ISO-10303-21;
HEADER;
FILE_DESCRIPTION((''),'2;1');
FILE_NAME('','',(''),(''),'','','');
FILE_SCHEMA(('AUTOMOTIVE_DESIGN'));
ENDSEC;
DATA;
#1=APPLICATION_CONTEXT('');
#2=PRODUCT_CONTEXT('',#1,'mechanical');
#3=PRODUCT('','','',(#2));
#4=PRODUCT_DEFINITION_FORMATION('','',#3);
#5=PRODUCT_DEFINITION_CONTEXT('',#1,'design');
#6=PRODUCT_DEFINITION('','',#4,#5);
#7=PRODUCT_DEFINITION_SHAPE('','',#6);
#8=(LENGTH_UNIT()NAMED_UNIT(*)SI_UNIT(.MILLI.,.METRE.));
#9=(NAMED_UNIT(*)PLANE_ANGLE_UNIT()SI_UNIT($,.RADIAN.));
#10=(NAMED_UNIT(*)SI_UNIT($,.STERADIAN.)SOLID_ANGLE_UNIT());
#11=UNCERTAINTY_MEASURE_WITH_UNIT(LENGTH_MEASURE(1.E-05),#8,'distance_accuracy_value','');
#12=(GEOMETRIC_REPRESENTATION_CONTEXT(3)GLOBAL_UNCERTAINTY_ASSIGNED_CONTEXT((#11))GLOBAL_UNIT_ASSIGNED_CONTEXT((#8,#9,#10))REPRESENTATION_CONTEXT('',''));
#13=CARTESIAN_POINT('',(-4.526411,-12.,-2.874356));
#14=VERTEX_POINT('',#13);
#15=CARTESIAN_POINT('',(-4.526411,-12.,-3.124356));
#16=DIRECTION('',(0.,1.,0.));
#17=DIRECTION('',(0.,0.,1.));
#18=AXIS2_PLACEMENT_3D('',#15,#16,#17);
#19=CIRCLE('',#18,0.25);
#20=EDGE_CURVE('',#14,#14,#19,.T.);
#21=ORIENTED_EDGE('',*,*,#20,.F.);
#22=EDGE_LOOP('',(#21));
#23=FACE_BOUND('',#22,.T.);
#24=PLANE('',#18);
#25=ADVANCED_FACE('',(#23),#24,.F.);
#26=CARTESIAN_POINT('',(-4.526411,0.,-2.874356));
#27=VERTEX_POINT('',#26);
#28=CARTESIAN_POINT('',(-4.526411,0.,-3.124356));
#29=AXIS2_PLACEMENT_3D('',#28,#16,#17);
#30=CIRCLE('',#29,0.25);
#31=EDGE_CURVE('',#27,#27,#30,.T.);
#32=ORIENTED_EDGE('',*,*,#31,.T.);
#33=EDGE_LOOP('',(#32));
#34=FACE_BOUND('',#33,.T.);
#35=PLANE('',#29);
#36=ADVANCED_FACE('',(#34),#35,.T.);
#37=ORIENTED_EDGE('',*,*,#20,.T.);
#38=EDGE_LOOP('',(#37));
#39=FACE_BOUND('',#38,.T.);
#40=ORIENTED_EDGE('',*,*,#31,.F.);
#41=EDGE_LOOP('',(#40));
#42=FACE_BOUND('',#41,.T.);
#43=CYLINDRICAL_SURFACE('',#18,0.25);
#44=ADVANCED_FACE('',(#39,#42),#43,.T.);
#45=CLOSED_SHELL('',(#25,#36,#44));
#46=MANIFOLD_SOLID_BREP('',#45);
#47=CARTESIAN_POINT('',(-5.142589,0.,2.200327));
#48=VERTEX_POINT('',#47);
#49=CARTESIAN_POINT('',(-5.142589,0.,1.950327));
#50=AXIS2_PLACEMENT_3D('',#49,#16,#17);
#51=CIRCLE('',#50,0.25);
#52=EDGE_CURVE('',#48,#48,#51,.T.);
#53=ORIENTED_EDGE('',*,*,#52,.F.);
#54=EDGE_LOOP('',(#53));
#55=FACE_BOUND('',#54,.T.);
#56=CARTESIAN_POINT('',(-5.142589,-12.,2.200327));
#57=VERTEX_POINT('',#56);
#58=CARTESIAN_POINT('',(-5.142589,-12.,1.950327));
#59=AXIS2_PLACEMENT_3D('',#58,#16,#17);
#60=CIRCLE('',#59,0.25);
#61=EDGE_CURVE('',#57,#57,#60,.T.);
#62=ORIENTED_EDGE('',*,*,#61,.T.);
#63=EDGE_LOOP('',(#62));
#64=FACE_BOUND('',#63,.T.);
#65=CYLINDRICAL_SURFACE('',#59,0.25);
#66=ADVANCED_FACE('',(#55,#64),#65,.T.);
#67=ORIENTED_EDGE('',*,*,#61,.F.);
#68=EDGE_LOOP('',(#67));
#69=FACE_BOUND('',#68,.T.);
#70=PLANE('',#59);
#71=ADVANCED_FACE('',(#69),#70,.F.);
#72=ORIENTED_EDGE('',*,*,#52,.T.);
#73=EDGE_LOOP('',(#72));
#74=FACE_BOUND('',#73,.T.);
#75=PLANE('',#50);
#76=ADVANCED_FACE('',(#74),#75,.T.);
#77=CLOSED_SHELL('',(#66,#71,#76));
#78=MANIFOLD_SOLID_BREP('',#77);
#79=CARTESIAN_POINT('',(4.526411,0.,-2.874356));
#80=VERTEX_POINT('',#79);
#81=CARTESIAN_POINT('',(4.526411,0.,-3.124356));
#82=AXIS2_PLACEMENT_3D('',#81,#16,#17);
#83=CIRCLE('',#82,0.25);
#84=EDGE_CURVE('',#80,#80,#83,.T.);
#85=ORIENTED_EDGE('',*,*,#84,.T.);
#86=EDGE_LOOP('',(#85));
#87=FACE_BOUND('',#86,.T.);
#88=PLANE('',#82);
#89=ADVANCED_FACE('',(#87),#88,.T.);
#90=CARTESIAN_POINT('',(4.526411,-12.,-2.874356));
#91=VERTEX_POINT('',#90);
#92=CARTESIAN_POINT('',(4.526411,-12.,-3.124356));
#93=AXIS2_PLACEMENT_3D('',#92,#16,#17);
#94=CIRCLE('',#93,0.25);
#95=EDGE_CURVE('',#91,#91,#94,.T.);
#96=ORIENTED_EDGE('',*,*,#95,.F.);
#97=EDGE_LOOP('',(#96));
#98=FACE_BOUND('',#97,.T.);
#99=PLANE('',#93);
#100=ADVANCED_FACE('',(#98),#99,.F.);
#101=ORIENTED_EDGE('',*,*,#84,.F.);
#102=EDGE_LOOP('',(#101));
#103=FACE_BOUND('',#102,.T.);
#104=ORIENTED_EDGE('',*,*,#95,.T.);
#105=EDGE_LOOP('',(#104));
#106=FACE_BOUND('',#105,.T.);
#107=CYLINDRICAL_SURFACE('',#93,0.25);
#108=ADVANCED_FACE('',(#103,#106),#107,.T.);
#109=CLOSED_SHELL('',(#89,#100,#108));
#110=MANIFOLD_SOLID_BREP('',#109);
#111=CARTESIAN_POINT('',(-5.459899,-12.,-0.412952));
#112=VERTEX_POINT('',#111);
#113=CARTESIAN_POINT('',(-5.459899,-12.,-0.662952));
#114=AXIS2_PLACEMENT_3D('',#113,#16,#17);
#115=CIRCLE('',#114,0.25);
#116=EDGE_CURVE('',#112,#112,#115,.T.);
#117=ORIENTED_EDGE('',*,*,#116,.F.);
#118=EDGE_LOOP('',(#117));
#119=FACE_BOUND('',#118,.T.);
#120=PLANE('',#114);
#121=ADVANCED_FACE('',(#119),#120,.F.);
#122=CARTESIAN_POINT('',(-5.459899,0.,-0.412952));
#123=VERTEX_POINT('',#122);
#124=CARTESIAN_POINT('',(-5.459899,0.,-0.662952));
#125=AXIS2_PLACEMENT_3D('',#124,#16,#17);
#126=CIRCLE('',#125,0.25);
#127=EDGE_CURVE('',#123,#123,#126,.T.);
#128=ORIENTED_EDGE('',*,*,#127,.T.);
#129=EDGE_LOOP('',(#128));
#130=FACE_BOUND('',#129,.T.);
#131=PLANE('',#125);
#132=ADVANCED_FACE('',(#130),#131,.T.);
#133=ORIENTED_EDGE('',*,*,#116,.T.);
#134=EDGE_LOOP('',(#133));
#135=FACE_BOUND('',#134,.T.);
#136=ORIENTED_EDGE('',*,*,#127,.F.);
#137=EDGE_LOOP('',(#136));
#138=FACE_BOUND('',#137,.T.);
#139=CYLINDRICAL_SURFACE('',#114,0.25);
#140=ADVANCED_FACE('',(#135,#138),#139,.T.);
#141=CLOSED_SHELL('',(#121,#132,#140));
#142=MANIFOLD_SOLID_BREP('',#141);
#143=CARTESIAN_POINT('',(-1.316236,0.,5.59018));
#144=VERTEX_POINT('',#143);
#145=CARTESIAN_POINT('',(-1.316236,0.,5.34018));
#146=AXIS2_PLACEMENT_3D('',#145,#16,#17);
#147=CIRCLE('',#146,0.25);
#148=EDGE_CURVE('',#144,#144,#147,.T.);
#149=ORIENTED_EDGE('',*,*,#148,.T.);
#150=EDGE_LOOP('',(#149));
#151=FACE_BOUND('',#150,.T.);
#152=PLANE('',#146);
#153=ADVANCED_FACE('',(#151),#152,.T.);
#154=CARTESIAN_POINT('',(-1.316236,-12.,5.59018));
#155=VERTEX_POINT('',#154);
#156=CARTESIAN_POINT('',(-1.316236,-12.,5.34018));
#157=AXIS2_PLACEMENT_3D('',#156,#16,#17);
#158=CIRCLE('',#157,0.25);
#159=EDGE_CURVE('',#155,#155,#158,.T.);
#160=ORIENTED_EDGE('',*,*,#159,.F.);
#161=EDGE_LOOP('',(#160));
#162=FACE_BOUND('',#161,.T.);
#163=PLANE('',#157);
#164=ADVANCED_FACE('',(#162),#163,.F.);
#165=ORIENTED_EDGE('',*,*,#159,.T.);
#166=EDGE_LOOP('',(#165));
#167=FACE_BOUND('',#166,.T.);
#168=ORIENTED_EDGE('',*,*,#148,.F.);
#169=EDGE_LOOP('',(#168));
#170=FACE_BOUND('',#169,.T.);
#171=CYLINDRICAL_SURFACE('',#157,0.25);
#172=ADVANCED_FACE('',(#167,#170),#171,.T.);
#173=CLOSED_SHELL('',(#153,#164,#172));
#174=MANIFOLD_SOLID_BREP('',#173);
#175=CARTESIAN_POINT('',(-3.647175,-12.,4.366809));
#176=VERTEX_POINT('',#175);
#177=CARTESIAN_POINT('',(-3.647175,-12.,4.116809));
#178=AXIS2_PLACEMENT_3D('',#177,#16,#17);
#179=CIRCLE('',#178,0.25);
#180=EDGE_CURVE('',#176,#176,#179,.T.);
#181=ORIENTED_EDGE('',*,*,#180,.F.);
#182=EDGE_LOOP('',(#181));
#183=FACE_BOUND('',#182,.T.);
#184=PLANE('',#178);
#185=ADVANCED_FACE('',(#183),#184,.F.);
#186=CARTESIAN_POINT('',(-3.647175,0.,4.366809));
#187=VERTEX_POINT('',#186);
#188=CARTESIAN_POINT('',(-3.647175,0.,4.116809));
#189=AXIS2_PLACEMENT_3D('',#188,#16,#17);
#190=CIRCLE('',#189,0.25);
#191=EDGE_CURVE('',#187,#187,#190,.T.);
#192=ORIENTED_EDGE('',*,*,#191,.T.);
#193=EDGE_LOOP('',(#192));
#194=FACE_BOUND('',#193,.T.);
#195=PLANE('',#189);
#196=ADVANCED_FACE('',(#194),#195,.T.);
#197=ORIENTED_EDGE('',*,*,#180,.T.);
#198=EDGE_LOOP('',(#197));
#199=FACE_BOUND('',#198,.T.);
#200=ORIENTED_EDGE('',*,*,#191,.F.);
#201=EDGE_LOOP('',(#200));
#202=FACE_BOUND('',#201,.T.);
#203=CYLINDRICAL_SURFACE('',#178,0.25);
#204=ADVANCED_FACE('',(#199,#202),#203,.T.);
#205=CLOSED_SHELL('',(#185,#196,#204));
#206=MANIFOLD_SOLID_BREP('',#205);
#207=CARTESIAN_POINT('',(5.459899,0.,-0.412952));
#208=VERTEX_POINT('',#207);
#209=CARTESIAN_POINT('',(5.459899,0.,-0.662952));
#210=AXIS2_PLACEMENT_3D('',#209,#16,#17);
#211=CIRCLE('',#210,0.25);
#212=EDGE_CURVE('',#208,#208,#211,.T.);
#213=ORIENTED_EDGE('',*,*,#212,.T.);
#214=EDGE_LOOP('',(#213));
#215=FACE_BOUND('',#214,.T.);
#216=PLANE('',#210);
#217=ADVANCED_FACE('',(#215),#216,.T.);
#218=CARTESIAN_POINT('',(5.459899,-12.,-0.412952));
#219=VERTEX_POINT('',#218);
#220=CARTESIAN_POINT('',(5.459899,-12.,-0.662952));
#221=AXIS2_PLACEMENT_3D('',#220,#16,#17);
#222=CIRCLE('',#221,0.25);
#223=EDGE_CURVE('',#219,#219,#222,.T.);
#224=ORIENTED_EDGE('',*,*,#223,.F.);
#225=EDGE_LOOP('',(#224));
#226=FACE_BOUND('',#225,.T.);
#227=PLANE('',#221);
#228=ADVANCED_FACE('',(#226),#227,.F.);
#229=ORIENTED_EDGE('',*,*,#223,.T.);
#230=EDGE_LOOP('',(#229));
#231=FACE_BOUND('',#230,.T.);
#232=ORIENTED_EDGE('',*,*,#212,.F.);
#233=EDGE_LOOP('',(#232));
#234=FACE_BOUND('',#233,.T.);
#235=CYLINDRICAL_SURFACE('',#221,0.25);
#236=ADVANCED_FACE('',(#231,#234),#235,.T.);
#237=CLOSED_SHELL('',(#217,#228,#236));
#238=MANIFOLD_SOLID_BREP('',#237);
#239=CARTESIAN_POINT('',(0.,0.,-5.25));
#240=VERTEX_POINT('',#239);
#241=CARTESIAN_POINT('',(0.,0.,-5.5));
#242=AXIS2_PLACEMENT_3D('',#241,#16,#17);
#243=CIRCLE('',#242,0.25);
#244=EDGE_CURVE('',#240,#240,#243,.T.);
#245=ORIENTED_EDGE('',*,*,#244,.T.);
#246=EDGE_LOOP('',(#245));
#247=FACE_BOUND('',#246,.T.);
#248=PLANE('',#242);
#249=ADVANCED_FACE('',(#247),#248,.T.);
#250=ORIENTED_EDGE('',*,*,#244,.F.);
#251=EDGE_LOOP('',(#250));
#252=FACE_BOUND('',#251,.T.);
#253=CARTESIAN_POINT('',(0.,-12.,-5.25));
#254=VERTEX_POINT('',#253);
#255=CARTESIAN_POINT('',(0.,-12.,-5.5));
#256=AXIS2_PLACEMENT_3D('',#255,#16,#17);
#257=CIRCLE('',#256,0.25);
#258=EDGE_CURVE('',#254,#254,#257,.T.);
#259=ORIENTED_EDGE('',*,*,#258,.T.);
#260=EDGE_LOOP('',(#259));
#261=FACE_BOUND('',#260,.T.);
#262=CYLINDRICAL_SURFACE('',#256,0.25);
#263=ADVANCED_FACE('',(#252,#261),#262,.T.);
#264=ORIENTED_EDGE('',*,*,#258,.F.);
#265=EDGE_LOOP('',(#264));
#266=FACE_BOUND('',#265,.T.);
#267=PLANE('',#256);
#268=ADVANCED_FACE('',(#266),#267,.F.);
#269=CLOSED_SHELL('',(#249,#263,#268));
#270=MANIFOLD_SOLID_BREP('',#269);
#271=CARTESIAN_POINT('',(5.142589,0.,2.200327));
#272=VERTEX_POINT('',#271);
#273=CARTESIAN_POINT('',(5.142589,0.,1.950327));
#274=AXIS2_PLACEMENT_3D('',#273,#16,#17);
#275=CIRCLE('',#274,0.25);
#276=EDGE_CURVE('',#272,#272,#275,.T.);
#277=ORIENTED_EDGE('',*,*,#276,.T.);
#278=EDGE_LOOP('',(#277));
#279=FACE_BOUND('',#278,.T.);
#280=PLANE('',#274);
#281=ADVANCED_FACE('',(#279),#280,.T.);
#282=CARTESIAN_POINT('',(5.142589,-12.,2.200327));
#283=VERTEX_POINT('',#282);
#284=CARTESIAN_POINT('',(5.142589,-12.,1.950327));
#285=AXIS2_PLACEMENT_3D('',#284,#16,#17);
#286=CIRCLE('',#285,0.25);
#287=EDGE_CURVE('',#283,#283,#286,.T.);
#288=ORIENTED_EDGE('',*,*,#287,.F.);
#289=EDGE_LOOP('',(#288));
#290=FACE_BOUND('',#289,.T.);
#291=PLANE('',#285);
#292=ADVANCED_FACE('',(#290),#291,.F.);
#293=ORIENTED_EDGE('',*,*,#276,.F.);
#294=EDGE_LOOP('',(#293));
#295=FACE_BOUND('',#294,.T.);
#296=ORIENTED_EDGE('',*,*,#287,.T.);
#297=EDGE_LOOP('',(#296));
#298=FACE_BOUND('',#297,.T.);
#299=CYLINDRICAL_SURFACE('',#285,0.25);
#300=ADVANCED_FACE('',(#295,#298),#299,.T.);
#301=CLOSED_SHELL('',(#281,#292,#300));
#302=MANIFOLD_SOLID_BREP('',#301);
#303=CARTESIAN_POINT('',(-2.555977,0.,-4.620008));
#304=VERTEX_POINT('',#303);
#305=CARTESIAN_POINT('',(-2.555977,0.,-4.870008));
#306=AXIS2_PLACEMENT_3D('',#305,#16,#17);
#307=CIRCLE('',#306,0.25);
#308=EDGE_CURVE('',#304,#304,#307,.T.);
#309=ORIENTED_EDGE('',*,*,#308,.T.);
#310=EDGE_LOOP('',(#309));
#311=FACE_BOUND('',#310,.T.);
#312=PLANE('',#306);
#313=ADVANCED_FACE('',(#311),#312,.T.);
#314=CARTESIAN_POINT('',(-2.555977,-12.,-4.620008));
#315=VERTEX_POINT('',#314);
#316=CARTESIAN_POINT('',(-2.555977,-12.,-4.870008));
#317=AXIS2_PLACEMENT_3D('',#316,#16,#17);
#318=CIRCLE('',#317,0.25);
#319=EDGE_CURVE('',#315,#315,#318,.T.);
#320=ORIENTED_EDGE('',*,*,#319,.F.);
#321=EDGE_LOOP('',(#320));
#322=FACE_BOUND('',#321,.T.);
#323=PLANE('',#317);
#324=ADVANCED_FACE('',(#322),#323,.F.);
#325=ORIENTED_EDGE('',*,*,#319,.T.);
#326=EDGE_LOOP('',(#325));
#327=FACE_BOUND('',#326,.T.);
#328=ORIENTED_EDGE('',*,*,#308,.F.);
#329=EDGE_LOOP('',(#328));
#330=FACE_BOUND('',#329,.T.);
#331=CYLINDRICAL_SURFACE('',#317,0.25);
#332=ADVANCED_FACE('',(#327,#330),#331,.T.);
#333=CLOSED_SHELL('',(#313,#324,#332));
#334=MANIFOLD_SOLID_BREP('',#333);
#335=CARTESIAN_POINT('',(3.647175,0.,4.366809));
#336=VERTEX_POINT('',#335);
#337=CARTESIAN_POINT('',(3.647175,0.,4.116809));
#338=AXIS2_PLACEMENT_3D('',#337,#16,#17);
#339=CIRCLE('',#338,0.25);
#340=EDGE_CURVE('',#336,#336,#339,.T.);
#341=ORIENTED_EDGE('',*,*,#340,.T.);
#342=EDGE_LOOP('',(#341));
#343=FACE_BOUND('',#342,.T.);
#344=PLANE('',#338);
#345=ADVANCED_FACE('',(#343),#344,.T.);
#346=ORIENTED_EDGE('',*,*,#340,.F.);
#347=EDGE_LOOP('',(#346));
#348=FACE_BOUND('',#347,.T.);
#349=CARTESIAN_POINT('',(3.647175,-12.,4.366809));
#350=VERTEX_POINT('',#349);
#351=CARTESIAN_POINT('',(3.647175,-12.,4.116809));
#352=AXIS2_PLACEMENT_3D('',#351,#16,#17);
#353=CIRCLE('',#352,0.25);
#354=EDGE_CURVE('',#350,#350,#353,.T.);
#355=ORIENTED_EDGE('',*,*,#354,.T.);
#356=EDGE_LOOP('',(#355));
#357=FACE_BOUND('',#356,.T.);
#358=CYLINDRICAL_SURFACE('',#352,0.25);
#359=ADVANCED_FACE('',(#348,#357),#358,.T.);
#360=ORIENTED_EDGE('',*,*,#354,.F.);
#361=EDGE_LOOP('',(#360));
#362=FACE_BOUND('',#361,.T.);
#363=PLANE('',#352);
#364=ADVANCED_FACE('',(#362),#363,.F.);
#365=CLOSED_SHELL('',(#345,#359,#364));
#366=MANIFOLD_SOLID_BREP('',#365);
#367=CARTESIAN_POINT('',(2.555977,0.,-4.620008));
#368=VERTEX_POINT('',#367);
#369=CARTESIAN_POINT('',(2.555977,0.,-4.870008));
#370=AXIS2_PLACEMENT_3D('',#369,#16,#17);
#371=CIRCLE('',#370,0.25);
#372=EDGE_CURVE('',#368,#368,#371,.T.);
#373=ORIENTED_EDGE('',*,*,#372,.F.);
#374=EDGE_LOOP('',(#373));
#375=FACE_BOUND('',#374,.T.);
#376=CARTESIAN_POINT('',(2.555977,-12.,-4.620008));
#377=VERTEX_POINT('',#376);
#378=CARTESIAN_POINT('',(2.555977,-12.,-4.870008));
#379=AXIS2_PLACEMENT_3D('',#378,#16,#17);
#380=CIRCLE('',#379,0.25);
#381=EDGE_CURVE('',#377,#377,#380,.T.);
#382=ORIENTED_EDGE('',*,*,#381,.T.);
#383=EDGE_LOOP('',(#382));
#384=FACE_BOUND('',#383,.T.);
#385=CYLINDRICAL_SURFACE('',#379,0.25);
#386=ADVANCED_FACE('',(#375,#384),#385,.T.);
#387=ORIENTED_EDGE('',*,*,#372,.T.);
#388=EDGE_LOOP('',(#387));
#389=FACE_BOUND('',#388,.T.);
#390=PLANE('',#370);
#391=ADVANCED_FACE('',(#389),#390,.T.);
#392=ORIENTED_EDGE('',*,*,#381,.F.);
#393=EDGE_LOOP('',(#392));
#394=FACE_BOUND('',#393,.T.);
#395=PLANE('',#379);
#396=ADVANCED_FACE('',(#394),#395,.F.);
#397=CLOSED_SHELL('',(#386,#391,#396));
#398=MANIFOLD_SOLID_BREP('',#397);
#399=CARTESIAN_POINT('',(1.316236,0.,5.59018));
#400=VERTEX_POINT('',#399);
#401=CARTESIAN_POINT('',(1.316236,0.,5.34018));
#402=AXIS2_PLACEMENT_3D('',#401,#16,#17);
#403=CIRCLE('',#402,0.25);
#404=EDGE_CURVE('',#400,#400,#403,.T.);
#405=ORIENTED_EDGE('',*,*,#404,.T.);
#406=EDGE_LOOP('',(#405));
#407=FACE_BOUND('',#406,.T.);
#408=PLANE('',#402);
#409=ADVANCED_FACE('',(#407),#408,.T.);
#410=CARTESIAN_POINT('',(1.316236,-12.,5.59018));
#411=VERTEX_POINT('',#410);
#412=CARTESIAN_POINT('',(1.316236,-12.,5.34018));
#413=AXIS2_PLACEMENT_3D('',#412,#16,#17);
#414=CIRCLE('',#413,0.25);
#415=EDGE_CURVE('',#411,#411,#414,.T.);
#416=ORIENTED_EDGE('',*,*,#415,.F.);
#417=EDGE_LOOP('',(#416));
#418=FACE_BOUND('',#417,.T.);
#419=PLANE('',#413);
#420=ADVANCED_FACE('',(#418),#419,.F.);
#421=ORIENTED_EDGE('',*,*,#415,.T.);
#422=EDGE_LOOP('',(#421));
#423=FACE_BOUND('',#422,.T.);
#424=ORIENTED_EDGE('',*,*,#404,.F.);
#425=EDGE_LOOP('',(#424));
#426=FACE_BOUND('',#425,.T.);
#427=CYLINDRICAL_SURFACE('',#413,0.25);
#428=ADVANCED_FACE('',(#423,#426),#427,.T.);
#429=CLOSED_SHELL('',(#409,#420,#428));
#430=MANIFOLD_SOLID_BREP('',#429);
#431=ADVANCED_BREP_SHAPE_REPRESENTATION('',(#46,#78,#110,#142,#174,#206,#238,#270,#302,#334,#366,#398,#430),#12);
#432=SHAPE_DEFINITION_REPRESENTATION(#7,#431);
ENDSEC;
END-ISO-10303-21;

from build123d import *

# Parameters (mm, degrees)
SKETCH1_R       = 0.25
PINOVI_DEPTH    = 12
PINOVI_2_DEPTH  = 12
PINOVI_3_DEPTH  = 12
PINOVI_4_DEPTH  = 12
PINOVI_5_DEPTH  = 12
PINOVI_6_DEPTH  = 12
PINOVI_7_DEPTH  = 12
PINOVI_8_DEPTH  = 12
PINOVI_9_DEPTH  = 12
PINOVI_10_DEPTH = 12
PINOVI_11_DEPTH = 12
PINOVI_12_DEPTH = 12
PINOVI_13_DEPTH = 12


with BuildPart() as part:
    # Sketch1 → pinovi (new body)
    with BuildSketch(Plane(origin=(0, 0, 0), x_dir=(1, 0, 0), z_dir=(0, 1, 0))):
        with Locations((0, 5.5)):
            Circle(SKETCH1_R)
    extrude(amount=-PINOVI_DEPTH)


with BuildPart() as body_2:
    # Sketch1 → pinovi 2 (new body)
    with BuildSketch(Plane(origin=(0, 0, 0), x_dir=(1, 0, 0), z_dir=(0, 1, 0))):
        with Locations((2.555977446, 4.870008141)):
            Circle(SKETCH1_R)
    extrude(amount=-PINOVI_2_DEPTH)


with BuildPart() as body_3:
    # Sketch1 → pinovi 3 (new body)
    with BuildSketch(Plane(origin=(0, 0, 0), x_dir=(1, 0, 0), z_dir=(0, 1, 0))):
        with Locations((4.526411262, 3.124356107)):
            Circle(SKETCH1_R)
    extrude(amount=-PINOVI_3_DEPTH)


with BuildPart() as body_4:
    # Sketch1 → pinovi 4 (new body)
    with BuildSketch(Plane(origin=(0, 0, 0), x_dir=(1, 0, 0), z_dir=(0, 1, 0))):
        with Locations((5.459898808, 0.662951741)):
            Circle(SKETCH1_R)
    extrude(amount=-PINOVI_4_DEPTH)


with BuildPart() as body_5:
    # Sketch1 → pinovi 5 (new body)
    with BuildSketch(Plane(origin=(0, 0, 0), x_dir=(1, 0, 0), z_dir=(0, 1, 0))):
        with Locations((5.142589335, -1.950326879)):
            Circle(SKETCH1_R)
    extrude(amount=-PINOVI_5_DEPTH)


with BuildPart() as body_6:
    # Sketch1 → pinovi 6 (new body)
    with BuildSketch(Plane(origin=(0, 0, 0), x_dir=(1, 0, 0), z_dir=(0, 1, 0))):
        with Locations((3.64717462, -4.116809115)):
            Circle(SKETCH1_R)
    extrude(amount=-PINOVI_6_DEPTH)


with BuildPart() as body_7:
    # Sketch1 → pinovi 7 (new body)
    with BuildSketch(Plane(origin=(0, 0, 0), x_dir=(1, 0, 0), z_dir=(0, 1, 0))):
        with Locations((1.316236154, -5.340179996)):
            Circle(SKETCH1_R)
    extrude(amount=-PINOVI_7_DEPTH)


with BuildPart() as body_8:
    # Sketch1 → pinovi 8 (new body)
    with BuildSketch(Plane(origin=(0, 0, 0), x_dir=(1, 0, 0), z_dir=(0, 1, 0))):
        with Locations((-1.316236154, -5.340179996)):
            Circle(SKETCH1_R)
    extrude(amount=-PINOVI_8_DEPTH)


with BuildPart() as body_9:
    # Sketch1 → pinovi 9 (new body)
    with BuildSketch(Plane(origin=(0, 0, 0), x_dir=(1, 0, 0), z_dir=(0, 1, 0))):
        with Locations((-3.64717462, -4.116809115)):
            Circle(SKETCH1_R)
    extrude(amount=-PINOVI_9_DEPTH)


with BuildPart() as body_10:
    # Sketch1 → pinovi 10 (new body)
    with BuildSketch(Plane(origin=(0, 0, 0), x_dir=(1, 0, 0), z_dir=(0, 1, 0))):
        with Locations((-5.142589335, -1.950326879)):
            Circle(SKETCH1_R)
    extrude(amount=-PINOVI_10_DEPTH)


with BuildPart() as body_11:
    # Sketch1 → pinovi 11 (new body)
    with BuildSketch(Plane(origin=(0, 0, 0), x_dir=(1, 0, 0), z_dir=(0, 1, 0))):
        with Locations((-5.459898808, 0.662951741)):
            Circle(SKETCH1_R)
    extrude(amount=-PINOVI_11_DEPTH)


with BuildPart() as body_12:
    # Sketch1 → pinovi 12 (new body)
    with BuildSketch(Plane(origin=(0, 0, 0), x_dir=(1, 0, 0), z_dir=(0, 1, 0))):
        with Locations((-4.526411262, 3.124356107)):
            Circle(SKETCH1_R)
    extrude(amount=-PINOVI_12_DEPTH)


with BuildPart() as body_13:
    # Sketch1 → pinovi 13 (new body)
    with BuildSketch(Plane(origin=(0, 0, 0), x_dir=(1, 0, 0), z_dir=(0, 1, 0))):
        with Locations((-2.555977446, 4.870008141)):
            Circle(SKETCH1_R)
    extrude(amount=-PINOVI_13_DEPTH)


solid = Compound([part.part, body_2.part, body_3.part, body_4.part, body_5.part, body_6.part, body_7.part, body_8.part, body_9.part, body_10.part, body_11.part, body_12.part, body_13.part])
